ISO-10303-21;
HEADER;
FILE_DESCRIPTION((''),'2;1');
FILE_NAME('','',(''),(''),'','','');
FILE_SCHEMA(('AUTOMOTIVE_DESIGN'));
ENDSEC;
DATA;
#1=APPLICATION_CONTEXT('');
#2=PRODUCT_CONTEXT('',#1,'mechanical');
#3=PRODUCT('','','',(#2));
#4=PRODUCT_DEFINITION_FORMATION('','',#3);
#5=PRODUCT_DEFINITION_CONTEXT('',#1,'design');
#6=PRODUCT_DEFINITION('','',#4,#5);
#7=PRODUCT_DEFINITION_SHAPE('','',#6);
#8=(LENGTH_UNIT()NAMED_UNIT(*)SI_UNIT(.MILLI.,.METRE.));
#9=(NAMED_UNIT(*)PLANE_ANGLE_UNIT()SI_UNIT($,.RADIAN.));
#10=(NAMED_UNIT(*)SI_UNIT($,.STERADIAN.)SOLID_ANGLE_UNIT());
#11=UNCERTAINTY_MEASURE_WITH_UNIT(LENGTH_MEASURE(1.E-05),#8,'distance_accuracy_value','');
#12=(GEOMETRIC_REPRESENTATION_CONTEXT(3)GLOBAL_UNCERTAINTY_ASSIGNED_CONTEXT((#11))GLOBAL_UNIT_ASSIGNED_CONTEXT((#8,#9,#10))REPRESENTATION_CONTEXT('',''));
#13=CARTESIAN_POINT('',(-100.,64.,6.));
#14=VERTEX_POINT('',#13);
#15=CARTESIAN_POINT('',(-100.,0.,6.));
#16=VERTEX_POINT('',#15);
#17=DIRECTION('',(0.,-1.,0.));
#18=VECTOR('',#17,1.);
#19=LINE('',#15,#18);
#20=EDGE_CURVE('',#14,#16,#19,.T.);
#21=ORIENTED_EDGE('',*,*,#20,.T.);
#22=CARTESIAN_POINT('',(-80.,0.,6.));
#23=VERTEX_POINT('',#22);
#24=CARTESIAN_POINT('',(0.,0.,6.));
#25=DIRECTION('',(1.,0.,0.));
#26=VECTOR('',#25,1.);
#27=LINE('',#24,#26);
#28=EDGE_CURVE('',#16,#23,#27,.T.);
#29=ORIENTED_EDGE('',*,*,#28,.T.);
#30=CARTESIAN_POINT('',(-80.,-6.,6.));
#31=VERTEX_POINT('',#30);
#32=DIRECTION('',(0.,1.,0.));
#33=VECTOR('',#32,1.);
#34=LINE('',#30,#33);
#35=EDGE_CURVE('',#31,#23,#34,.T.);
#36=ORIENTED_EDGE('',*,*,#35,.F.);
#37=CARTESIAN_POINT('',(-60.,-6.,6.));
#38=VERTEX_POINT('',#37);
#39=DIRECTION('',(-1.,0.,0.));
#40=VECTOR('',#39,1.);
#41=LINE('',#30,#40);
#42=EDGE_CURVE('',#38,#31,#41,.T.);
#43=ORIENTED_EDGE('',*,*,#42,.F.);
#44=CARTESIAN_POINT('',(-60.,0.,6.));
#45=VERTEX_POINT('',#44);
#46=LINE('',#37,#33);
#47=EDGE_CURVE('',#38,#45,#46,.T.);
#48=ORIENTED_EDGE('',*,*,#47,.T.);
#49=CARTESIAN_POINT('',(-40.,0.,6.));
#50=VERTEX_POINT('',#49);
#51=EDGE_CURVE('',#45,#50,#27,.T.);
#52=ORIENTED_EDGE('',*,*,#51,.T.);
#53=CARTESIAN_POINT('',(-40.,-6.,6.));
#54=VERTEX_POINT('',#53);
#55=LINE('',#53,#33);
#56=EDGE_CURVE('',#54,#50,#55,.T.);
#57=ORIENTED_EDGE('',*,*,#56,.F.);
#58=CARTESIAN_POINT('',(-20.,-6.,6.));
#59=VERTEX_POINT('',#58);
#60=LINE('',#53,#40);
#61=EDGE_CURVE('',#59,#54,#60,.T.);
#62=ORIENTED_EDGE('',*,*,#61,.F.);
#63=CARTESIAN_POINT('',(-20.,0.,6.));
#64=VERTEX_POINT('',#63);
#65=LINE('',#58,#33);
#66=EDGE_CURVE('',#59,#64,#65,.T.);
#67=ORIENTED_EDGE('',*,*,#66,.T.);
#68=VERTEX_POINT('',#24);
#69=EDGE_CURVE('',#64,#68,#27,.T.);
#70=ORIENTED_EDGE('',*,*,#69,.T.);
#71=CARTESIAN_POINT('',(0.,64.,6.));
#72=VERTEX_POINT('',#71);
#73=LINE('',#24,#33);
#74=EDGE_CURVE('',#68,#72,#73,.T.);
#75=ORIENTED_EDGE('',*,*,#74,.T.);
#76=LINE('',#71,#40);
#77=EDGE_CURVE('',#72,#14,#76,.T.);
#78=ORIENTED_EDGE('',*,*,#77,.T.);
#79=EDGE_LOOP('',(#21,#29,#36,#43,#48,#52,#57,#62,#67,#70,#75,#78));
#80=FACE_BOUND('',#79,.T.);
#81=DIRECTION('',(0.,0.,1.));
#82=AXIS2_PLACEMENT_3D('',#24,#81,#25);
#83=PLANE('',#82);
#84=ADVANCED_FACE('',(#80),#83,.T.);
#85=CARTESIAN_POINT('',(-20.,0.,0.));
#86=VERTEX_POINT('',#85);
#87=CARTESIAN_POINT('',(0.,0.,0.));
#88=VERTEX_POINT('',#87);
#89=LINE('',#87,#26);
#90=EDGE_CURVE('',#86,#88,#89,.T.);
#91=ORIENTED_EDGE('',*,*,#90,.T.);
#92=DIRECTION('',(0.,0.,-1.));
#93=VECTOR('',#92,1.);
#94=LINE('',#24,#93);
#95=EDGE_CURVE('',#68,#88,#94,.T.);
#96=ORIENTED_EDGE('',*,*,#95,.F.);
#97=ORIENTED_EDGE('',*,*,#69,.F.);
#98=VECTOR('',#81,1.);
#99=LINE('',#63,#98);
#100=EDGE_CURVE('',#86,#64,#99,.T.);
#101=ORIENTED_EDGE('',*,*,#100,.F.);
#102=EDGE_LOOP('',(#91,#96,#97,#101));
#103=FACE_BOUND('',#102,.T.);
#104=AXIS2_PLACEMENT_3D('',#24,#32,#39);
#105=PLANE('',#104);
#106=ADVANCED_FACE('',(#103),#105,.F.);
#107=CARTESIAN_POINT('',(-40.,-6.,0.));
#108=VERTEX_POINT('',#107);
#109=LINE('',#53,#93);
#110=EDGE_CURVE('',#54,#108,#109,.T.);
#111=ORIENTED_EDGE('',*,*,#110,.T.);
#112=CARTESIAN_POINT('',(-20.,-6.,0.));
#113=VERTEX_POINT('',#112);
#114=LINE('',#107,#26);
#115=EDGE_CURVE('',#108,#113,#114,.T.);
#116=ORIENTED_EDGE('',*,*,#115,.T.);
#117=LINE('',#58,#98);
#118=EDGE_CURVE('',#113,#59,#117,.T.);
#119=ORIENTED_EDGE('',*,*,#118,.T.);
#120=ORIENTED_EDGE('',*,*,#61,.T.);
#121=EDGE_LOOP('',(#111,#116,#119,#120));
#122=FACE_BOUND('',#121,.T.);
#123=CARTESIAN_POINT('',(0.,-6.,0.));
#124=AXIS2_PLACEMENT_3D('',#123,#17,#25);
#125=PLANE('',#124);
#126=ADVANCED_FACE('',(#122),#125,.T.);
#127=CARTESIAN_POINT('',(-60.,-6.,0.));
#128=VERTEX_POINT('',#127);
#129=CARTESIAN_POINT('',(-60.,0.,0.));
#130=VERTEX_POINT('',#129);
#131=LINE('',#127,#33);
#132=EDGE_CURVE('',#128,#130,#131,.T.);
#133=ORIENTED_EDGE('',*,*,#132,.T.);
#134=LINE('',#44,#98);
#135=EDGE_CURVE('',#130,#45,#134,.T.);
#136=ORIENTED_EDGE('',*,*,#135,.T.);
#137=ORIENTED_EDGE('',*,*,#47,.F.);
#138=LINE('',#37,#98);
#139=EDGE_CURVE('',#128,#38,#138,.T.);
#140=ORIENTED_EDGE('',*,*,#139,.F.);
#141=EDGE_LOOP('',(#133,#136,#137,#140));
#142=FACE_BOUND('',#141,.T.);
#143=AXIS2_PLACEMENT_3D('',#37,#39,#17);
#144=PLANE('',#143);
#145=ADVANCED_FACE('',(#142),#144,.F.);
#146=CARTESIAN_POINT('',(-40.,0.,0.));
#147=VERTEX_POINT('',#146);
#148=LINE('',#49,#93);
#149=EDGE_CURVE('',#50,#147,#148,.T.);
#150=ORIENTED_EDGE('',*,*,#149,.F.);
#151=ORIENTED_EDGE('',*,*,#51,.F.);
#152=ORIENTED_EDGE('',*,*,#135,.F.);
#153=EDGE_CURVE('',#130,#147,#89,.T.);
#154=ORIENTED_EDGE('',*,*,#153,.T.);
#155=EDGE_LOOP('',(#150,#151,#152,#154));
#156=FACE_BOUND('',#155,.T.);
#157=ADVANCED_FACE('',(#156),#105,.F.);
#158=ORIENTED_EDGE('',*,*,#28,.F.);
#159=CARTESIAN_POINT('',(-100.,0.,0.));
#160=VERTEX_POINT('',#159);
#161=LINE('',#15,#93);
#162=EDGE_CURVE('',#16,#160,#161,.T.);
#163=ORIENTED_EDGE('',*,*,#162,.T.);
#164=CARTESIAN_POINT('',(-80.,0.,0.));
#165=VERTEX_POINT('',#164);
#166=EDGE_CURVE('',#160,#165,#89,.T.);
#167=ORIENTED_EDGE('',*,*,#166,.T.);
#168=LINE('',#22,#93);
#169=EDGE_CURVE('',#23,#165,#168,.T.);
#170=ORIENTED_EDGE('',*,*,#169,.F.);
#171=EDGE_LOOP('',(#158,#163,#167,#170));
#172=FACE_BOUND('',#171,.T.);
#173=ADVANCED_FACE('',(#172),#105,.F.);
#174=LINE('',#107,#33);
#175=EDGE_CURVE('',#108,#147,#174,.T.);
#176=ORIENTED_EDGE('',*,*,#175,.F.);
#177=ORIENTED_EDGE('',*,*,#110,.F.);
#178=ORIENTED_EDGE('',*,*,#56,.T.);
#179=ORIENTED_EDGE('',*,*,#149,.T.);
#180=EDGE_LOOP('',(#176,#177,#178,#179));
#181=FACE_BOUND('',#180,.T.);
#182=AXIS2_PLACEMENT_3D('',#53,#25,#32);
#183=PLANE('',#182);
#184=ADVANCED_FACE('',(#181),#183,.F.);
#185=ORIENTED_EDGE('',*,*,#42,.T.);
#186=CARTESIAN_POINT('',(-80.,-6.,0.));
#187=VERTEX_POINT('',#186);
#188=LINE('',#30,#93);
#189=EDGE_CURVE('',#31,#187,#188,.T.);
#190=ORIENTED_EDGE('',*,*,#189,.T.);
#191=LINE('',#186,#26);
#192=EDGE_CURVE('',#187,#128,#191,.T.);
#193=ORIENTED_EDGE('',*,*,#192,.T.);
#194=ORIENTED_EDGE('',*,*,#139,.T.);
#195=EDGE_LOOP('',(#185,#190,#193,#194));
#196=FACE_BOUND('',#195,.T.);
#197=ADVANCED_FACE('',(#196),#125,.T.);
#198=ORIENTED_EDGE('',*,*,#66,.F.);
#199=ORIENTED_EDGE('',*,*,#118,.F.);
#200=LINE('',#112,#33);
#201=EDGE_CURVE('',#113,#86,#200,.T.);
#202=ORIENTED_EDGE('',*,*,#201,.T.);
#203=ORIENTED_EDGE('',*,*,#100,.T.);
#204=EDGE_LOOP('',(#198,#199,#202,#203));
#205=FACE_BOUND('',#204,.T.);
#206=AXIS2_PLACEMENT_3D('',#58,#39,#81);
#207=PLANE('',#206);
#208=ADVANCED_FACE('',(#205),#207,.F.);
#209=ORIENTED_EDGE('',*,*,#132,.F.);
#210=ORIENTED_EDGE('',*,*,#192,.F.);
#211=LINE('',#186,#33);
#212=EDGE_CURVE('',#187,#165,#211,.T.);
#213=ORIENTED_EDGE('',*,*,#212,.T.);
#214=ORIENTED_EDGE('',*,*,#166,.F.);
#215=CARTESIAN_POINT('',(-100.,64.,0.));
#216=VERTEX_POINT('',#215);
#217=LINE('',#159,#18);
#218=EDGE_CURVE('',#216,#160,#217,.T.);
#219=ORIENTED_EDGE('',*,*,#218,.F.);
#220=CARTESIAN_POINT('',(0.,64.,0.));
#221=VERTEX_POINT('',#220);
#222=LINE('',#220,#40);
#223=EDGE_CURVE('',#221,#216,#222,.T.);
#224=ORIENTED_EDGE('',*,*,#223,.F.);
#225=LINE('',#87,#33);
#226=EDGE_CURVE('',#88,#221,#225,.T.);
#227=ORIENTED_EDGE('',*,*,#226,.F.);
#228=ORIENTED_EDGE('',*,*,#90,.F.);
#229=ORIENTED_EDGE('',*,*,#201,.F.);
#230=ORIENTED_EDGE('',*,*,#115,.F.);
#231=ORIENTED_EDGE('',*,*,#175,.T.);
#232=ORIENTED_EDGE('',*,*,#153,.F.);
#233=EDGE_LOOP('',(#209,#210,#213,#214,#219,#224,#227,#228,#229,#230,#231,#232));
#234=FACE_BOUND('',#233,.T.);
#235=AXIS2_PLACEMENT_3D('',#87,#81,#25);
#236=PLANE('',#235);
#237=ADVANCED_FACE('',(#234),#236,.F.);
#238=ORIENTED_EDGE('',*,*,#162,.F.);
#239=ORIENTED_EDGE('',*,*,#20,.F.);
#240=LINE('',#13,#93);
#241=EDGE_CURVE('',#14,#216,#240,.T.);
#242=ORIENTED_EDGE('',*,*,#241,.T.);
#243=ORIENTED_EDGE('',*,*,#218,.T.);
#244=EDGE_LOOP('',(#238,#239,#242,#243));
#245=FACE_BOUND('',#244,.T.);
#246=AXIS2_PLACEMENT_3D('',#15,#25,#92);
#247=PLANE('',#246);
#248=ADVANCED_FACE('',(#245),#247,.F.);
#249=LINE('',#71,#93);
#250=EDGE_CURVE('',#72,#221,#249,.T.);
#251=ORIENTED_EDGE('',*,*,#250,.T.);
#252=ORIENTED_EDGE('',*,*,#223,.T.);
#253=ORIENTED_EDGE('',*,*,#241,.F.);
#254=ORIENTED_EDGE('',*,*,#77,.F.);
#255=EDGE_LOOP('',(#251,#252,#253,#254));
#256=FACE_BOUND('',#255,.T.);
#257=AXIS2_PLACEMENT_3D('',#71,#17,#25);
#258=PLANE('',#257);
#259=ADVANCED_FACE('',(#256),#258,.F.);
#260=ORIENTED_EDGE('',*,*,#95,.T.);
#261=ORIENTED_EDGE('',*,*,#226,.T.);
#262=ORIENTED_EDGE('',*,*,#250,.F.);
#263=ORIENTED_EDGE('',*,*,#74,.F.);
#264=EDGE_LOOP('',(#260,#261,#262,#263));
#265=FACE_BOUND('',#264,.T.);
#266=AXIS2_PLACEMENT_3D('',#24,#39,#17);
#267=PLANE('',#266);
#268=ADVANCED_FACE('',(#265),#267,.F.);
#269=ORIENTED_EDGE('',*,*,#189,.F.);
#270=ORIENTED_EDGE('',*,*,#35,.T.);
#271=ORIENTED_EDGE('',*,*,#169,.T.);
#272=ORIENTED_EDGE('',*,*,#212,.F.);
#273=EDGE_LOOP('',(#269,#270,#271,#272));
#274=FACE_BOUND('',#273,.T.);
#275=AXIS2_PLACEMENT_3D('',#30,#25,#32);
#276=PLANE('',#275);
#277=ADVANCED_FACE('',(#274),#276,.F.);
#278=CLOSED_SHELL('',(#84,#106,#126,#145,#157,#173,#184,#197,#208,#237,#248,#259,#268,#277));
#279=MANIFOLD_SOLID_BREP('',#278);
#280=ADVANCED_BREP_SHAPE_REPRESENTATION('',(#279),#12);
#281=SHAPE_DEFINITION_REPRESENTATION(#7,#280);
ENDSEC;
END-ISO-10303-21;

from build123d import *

# Parameters (mm, degrees)
ESQUISSE1_W        = 100
ESQUISSE1_H        = 64
BOSS_EXTRU_1_DEPTH = 6
ESQUISSE2_W        = 20
ESQUISSE2_H        = 6
BOSS_EXTRU_2_DEPTH = 6


with BuildPart() as part:
    # Esquisse1 → Boss.-Extru.1 (new body)
    with BuildSketch(Plane.XY):
        with Locations((-50, 32)):
            Rectangle(ESQUISSE1_W, ESQUISSE1_H)
    extrude(amount=BOSS_EXTRU_1_DEPTH)

    # Esquisse2 → Boss.-Extru.2 (add)
    with BuildSketch(Plane.XZ):
        with Locations((-70, 3)):
            Rectangle(ESQUISSE2_W, ESQUISSE2_H)
        with Locations((-30, 3)):
            Rectangle(ESQUISSE2_W, ESQUISSE2_H)
    extrude(amount=BOSS_EXTRU_2_DEPTH)


solid = part.part
